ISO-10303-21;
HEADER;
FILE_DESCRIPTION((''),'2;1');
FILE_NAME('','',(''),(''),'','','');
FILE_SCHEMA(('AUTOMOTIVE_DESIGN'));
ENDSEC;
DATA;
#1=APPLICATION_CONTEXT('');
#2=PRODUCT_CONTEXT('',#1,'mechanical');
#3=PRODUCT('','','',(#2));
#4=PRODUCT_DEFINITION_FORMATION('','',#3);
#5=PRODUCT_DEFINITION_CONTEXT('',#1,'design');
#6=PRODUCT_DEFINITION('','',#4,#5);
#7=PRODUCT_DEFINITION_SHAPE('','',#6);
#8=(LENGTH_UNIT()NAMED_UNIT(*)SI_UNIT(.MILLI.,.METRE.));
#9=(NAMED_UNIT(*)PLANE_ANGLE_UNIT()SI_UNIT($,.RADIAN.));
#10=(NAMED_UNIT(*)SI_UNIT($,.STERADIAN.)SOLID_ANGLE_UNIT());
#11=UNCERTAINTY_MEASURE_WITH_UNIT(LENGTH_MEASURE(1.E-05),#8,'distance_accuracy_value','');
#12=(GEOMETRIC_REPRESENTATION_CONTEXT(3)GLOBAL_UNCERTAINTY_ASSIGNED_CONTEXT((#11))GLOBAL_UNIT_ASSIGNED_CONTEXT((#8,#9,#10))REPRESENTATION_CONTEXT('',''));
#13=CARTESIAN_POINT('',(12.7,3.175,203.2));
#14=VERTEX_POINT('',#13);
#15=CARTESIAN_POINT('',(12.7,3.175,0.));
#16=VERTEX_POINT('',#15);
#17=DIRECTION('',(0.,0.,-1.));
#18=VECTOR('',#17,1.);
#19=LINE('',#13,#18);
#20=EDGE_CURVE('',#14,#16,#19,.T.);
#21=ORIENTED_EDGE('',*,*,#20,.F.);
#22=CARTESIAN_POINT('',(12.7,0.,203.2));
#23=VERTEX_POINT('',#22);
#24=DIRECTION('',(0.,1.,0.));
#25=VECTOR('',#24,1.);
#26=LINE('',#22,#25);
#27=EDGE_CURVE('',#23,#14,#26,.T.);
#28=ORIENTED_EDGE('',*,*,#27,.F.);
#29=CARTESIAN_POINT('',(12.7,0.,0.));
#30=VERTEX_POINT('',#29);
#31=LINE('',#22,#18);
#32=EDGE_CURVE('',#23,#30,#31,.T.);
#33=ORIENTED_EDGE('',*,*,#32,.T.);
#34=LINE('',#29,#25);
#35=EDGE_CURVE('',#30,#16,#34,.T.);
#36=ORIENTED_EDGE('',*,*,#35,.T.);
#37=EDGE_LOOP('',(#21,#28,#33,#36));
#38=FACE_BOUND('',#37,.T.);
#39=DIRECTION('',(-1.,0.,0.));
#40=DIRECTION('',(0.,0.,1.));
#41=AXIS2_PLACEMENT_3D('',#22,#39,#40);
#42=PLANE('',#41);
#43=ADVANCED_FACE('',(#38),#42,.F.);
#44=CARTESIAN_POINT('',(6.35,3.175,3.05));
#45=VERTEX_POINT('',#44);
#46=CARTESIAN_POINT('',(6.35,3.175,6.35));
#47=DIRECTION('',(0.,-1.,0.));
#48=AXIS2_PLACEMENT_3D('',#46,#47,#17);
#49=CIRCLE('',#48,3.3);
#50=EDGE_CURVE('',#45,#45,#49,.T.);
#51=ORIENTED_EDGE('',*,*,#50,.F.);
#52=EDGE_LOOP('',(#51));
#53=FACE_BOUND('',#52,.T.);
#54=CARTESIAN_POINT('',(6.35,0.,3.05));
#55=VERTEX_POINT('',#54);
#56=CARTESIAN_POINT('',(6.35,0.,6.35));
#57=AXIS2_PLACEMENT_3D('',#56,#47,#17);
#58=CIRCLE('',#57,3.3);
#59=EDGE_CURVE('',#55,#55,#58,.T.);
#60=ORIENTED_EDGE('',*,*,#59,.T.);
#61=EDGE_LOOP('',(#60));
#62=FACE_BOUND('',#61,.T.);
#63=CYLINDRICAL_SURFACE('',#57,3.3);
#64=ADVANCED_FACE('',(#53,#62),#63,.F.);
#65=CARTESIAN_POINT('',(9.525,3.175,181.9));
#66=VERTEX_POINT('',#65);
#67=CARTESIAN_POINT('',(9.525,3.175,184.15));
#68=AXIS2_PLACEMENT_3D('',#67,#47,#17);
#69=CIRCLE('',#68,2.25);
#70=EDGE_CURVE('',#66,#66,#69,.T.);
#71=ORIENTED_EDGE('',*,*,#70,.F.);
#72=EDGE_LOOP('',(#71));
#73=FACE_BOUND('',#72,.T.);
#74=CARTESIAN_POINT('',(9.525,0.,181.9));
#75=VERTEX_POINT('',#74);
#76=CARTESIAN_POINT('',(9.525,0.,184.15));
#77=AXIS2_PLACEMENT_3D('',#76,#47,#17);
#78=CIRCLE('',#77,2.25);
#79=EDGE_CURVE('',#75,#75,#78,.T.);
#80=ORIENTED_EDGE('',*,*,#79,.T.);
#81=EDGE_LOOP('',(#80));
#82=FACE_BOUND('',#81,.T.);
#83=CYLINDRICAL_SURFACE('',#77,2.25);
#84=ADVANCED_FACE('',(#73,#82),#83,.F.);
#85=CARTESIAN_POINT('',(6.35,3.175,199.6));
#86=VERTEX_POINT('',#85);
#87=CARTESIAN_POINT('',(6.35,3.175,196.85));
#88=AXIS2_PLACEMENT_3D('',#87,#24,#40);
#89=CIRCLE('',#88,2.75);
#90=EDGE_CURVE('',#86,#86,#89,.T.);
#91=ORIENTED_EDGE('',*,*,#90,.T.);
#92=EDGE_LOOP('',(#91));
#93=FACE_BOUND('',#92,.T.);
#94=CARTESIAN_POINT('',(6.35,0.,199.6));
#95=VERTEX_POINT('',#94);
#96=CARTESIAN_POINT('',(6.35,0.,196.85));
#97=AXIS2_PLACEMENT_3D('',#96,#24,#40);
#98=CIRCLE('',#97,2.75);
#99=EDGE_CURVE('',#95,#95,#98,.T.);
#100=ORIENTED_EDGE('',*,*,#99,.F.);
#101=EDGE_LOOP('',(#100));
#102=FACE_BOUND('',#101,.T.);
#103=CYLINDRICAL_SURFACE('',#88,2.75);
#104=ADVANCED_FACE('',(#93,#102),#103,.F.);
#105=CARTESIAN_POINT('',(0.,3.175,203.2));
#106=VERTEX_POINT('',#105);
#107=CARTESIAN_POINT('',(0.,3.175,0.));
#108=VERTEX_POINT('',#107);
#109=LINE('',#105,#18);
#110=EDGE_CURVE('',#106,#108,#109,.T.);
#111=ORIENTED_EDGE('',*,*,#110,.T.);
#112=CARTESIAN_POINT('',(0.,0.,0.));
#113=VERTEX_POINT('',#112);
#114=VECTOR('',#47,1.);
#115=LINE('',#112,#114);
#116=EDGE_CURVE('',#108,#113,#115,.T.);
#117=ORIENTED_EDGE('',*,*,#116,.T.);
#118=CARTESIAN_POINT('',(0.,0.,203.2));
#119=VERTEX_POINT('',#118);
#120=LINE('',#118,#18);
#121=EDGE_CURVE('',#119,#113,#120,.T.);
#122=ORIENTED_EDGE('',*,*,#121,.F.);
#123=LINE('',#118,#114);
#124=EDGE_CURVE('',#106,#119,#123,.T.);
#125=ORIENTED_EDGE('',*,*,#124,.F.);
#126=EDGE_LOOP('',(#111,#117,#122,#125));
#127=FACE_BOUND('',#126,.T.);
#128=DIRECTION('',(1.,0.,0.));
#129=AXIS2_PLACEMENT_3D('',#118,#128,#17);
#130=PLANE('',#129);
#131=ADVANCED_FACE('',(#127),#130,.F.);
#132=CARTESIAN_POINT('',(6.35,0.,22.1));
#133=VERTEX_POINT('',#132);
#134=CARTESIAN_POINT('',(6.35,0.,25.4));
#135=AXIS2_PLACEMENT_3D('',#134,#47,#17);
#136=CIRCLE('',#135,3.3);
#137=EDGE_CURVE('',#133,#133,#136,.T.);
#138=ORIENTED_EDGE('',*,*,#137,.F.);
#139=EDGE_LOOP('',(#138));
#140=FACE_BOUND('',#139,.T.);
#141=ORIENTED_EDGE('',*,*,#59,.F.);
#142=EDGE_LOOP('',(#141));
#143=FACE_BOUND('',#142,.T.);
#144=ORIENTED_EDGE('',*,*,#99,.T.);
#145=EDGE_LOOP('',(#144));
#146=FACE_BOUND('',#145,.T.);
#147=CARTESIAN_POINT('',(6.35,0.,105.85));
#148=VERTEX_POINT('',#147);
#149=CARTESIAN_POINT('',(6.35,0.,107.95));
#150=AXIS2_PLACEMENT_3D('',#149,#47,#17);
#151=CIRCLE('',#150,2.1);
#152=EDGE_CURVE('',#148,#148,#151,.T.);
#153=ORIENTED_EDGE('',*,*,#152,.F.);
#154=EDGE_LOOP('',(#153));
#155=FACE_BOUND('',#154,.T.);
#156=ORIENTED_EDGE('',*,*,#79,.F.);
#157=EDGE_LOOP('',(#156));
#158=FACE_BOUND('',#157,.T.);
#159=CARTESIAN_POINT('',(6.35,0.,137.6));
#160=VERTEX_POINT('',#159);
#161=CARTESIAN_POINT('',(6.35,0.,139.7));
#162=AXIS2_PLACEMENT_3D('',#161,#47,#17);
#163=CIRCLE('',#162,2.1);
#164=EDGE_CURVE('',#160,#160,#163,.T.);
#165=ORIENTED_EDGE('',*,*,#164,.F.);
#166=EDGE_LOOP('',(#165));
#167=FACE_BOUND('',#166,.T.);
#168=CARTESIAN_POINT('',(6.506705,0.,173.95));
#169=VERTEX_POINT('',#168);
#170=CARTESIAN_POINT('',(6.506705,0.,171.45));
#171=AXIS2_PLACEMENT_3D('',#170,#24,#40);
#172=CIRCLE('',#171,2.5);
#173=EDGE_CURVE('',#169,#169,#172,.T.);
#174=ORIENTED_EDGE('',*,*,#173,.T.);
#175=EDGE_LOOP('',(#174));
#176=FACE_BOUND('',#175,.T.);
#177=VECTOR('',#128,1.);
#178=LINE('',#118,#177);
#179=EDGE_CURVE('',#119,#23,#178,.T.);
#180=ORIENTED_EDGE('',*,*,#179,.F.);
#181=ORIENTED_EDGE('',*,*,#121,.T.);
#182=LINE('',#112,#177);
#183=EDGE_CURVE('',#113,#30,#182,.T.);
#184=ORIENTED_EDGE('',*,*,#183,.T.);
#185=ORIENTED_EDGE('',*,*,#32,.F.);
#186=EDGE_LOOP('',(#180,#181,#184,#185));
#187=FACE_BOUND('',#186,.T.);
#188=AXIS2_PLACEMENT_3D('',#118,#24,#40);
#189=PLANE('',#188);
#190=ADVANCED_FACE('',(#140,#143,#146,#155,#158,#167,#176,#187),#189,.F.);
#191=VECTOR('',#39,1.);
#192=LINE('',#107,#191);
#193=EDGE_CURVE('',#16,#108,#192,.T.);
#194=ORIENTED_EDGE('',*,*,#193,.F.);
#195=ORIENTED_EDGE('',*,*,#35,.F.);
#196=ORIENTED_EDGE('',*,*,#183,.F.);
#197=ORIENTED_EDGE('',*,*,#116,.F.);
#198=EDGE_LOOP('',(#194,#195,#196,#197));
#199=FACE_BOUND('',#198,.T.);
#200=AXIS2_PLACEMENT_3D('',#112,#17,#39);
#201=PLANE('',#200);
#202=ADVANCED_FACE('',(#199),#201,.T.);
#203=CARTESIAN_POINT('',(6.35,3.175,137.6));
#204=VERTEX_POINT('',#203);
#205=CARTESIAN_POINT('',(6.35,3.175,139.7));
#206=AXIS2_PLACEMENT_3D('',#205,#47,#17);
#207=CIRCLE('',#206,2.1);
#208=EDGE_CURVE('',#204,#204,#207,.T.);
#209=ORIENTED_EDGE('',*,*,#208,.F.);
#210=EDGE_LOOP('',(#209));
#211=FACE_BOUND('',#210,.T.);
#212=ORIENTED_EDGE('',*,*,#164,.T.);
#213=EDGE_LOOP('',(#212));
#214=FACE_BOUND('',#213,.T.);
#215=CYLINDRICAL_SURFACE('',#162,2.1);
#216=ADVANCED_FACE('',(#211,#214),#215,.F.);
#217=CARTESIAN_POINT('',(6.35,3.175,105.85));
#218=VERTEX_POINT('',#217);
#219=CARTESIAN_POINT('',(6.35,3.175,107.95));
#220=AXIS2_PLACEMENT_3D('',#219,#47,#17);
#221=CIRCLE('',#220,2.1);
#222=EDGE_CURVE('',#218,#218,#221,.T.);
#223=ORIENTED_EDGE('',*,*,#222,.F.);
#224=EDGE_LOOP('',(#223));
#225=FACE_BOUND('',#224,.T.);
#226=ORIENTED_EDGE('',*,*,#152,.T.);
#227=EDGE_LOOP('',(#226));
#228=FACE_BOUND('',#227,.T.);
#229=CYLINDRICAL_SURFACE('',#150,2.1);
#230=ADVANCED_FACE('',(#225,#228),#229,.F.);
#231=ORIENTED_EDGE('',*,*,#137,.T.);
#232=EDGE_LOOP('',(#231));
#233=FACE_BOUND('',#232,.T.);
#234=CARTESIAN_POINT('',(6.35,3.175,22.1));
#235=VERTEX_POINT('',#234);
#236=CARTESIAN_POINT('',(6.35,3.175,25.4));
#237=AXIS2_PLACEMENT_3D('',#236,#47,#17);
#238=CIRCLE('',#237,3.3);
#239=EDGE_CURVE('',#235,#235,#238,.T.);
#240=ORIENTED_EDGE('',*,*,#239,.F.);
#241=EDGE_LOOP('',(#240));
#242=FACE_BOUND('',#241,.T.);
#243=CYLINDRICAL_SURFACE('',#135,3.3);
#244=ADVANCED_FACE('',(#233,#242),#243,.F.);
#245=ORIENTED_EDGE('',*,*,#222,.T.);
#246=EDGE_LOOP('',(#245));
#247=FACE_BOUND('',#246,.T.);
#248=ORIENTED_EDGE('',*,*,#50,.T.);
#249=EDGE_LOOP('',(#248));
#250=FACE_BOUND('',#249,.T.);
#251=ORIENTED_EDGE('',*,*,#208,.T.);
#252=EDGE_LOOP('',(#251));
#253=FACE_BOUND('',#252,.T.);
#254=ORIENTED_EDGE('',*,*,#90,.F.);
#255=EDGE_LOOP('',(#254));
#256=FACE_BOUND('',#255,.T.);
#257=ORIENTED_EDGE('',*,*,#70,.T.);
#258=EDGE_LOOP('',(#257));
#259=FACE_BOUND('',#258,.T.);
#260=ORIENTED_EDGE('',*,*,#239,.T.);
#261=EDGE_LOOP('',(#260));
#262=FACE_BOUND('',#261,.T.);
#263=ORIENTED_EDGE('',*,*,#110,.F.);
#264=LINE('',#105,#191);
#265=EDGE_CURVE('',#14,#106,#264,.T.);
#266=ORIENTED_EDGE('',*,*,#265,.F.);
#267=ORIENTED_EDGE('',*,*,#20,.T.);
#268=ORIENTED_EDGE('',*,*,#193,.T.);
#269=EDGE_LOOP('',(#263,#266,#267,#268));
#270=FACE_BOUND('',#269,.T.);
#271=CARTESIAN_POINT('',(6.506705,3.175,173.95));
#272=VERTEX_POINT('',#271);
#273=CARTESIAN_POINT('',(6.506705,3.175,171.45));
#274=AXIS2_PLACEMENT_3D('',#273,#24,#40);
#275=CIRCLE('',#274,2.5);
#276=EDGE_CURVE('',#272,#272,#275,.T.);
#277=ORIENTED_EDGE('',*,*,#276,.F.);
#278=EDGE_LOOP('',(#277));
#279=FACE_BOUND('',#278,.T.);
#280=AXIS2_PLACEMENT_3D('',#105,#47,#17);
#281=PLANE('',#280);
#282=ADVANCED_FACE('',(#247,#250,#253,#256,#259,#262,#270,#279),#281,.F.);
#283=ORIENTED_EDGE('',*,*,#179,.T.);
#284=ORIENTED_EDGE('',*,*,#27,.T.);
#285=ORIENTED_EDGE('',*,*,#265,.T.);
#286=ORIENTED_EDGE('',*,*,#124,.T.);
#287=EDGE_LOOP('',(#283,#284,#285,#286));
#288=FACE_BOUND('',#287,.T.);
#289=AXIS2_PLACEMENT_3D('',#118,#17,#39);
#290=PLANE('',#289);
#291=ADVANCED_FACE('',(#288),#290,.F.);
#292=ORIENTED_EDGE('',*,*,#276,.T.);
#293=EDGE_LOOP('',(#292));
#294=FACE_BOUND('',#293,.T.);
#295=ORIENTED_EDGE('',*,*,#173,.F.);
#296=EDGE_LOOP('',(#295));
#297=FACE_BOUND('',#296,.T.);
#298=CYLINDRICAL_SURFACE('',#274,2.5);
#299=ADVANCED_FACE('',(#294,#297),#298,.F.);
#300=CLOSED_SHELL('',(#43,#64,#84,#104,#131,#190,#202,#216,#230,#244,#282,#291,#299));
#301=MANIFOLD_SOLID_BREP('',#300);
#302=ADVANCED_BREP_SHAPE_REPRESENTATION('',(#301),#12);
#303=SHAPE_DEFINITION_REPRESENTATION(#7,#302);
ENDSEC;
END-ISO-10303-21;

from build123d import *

# Parameters (mm, degrees)
SKETCH1_W             = 12.7
SKETCH1_H             = 3.175
BOSS_EXTRUDE1_DEPTH   = 203.2
M6_CLEARANCE_HOLE1_D  = 6.6
M5X0_8_TAPPED_HOLE1_D = 4.2
M6X1_0_TAPPED_HOLE1_D = 5
M5_CLEARANCE_HOLE1_D  = 5.5
M4_CLEARANCE_HOLE1_D  = 4.5


with BuildPart() as part:
    # Sketch1 → Boss-Extrude1 (new body)
    with BuildSketch(Plane.XY):
        with Locations((6.35, 1.5875)):
            Rectangle(SKETCH1_W, SKETCH1_H)
    extrude(amount=BOSS_EXTRUDE1_DEPTH)

    # M6 Clearance Hole1 (through all)
    with Locations(Plane(origin=(0, 0, 0), x_dir=(-1, 0, 0), z_dir=(0, -1, 0))):
        with Locations((-6.35, -6.35), (-6.35, -25.4)):
            Hole(M6_CLEARANCE_HOLE1_D / 2)

    # M5x0.8 Tapped Hole1 (through all)
    with Locations(Plane(origin=(0, 0, 0), x_dir=(-1, 0, 0), z_dir=(0, -1, 0))):
        with Locations((-6.35, -139.7), (-6.35, -107.95)):
            Hole(M5X0_8_TAPPED_HOLE1_D / 2)

    # M6x1.0 Tapped Hole1 (through all)
    with Locations(Plane(origin=(0, 3.175, 0), x_dir=(1, 0, 0), z_dir=(0, 1, 0))):
        with Locations((6.506704553, -171.45)):
            Hole(M6X1_0_TAPPED_HOLE1_D / 2)

    # M5 Clearance Hole1 (through all)
    with Locations(Plane(origin=(0, 3.175, 0), x_dir=(1, 0, 0), z_dir=(0, 1, 0))):
        with Locations((6.35, -196.85)):
            Hole(M5_CLEARANCE_HOLE1_D / 2)

    # M4 Clearance Hole1 (through all)
    with Locations(Plane(origin=(0, 0, 0), x_dir=(-1, 0, 0), z_dir=(0, -1, 0))):
        with Locations((-9.525, -184.15)):
            Hole(M4_CLEARANCE_HOLE1_D / 2)


solid = part.part
